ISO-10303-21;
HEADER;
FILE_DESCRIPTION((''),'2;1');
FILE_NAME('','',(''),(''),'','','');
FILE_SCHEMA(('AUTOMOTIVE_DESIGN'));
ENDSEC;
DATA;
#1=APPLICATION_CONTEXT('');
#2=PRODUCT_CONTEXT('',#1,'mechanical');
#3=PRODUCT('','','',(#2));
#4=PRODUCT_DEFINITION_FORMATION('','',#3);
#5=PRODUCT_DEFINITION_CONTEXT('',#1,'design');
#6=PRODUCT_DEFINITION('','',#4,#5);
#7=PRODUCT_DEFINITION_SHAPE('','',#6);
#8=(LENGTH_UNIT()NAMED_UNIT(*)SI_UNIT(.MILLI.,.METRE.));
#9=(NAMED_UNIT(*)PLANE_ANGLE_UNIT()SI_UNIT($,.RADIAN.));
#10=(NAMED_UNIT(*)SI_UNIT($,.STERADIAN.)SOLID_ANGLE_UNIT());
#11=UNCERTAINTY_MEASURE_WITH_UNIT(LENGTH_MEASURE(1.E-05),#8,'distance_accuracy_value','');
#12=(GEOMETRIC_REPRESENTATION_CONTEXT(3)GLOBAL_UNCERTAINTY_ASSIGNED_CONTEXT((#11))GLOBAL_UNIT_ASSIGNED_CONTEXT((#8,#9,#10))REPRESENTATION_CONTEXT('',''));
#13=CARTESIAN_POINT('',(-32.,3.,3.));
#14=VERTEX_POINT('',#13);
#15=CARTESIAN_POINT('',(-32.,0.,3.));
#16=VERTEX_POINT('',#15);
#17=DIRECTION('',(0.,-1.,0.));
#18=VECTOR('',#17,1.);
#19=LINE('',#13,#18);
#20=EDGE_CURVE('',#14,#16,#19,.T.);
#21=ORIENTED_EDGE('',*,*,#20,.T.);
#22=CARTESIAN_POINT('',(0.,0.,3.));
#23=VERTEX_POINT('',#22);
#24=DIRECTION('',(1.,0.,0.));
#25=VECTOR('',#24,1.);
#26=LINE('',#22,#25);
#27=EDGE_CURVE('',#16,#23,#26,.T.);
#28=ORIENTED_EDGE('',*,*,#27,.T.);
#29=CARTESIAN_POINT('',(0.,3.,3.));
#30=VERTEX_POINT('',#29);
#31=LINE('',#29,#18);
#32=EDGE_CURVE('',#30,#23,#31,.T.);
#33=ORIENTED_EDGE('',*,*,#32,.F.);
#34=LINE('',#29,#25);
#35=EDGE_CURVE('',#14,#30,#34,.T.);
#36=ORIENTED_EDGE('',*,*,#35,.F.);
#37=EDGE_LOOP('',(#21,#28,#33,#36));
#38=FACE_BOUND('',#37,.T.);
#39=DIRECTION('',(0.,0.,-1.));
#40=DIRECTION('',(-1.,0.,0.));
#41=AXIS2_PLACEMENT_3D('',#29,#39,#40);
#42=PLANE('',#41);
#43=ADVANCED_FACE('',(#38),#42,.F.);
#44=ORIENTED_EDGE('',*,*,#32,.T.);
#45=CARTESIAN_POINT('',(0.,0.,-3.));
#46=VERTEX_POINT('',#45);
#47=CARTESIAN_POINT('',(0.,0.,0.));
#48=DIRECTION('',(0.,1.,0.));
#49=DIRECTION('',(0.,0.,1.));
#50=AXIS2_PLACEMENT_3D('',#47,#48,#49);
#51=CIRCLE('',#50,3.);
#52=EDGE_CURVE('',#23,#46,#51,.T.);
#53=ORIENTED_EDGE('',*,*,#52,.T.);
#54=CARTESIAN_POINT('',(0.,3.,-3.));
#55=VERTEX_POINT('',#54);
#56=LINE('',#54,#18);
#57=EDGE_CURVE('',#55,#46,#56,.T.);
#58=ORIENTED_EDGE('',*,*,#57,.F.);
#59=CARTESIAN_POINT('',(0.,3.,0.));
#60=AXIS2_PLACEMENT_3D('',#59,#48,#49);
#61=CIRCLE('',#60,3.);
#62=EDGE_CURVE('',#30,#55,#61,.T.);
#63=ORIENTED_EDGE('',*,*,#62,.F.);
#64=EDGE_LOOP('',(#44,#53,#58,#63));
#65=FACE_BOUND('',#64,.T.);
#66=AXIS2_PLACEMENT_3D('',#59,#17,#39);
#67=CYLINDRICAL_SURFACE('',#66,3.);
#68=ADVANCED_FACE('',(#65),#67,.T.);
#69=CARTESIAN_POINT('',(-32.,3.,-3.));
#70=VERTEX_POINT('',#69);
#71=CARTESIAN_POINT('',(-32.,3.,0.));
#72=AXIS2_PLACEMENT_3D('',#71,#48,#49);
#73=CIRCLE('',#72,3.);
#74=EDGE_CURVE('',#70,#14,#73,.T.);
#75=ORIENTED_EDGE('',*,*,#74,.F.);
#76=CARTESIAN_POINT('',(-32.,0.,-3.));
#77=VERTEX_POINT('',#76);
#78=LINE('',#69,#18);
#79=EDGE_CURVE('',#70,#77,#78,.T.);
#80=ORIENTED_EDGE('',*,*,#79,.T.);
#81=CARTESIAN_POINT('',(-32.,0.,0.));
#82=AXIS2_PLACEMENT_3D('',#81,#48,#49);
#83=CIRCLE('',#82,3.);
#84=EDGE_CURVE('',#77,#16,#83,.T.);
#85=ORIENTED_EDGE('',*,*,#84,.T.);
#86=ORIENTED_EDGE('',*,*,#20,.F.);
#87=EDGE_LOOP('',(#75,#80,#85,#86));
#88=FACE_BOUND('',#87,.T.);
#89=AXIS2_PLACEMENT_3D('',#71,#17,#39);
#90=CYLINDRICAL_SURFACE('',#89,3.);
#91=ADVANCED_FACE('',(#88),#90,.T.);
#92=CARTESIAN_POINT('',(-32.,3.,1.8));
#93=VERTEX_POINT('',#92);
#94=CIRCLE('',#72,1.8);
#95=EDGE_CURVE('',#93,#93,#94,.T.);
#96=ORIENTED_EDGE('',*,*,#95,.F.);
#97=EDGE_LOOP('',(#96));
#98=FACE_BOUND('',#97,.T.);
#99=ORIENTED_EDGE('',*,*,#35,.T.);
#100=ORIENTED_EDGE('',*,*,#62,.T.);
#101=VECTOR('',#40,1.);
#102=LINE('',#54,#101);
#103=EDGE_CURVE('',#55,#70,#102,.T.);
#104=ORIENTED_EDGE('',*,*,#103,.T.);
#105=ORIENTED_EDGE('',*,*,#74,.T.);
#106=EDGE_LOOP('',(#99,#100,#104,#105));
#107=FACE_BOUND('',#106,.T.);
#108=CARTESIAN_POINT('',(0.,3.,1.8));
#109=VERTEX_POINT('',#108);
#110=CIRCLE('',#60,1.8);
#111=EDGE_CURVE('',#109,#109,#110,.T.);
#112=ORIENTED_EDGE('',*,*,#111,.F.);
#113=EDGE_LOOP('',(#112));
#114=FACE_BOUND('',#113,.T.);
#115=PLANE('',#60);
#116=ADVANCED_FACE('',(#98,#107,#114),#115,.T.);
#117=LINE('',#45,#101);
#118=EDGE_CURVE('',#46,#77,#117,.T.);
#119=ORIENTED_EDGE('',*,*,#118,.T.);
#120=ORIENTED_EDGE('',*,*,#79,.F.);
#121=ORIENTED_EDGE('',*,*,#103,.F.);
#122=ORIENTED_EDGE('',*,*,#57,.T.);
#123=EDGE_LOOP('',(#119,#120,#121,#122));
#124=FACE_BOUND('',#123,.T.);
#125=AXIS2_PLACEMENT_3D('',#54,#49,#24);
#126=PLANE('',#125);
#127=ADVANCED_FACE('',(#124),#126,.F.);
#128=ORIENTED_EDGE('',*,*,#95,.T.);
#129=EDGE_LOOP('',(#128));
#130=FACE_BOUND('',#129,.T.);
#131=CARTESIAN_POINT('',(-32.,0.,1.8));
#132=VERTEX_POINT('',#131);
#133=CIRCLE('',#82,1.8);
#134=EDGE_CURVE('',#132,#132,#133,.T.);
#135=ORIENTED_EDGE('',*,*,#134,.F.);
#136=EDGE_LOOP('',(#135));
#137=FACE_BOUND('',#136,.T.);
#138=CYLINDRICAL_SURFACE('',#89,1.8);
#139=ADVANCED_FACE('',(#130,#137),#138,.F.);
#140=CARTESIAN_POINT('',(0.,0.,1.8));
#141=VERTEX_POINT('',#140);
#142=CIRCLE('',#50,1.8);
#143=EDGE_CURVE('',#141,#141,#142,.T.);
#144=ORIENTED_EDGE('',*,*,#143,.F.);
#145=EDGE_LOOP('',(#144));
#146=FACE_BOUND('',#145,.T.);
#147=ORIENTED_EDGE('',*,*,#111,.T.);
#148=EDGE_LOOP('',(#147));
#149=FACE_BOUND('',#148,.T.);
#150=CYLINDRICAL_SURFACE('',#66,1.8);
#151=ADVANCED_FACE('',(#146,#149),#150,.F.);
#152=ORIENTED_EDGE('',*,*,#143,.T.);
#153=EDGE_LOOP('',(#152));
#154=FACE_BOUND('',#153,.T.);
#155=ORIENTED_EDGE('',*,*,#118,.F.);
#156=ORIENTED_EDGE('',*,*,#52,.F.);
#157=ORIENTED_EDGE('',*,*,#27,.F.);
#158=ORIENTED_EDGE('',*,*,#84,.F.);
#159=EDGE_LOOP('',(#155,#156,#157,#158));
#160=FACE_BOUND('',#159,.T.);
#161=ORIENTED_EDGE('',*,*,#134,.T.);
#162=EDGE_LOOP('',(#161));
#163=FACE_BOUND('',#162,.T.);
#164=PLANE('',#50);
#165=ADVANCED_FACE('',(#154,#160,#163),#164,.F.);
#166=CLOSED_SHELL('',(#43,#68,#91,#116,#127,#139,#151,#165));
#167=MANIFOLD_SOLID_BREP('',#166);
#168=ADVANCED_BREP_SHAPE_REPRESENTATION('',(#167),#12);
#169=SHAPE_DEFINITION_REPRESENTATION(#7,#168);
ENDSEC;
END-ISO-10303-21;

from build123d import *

# Parameters (mm, degrees)
SKETCH1_R           = 1.8
BOSS_EXTRUDE1_DEPTH = 3


with BuildPart() as part:
    # Sketch1 → Boss-Extrude1 (new body)
    with BuildSketch(Plane(origin=(0, 0, 0), x_dir=(1, 0, 0), z_dir=(0, 1, 0))):
        with BuildLine():
            Line((0, -3), (-32, -3))
            ThreePointArc((-32, -3), (-35, 0), (-32, 3))
            Line((-32, 3), (0, 3))
            ThreePointArc((0, 3), (3, 0), (0, -3))
        make_face()
        with Locations(Location((-32, 0, 0), (0, 0, 270))):
            Circle(SKETCH1_R, mode=Mode.SUBTRACT)
        with Locations(Location((0, 0, 0), (0, 0, 270))):
            Circle(SKETCH1_R, mode=Mode.SUBTRACT)
    extrude(amount=BOSS_EXTRUDE1_DEPTH)


solid = part.part
